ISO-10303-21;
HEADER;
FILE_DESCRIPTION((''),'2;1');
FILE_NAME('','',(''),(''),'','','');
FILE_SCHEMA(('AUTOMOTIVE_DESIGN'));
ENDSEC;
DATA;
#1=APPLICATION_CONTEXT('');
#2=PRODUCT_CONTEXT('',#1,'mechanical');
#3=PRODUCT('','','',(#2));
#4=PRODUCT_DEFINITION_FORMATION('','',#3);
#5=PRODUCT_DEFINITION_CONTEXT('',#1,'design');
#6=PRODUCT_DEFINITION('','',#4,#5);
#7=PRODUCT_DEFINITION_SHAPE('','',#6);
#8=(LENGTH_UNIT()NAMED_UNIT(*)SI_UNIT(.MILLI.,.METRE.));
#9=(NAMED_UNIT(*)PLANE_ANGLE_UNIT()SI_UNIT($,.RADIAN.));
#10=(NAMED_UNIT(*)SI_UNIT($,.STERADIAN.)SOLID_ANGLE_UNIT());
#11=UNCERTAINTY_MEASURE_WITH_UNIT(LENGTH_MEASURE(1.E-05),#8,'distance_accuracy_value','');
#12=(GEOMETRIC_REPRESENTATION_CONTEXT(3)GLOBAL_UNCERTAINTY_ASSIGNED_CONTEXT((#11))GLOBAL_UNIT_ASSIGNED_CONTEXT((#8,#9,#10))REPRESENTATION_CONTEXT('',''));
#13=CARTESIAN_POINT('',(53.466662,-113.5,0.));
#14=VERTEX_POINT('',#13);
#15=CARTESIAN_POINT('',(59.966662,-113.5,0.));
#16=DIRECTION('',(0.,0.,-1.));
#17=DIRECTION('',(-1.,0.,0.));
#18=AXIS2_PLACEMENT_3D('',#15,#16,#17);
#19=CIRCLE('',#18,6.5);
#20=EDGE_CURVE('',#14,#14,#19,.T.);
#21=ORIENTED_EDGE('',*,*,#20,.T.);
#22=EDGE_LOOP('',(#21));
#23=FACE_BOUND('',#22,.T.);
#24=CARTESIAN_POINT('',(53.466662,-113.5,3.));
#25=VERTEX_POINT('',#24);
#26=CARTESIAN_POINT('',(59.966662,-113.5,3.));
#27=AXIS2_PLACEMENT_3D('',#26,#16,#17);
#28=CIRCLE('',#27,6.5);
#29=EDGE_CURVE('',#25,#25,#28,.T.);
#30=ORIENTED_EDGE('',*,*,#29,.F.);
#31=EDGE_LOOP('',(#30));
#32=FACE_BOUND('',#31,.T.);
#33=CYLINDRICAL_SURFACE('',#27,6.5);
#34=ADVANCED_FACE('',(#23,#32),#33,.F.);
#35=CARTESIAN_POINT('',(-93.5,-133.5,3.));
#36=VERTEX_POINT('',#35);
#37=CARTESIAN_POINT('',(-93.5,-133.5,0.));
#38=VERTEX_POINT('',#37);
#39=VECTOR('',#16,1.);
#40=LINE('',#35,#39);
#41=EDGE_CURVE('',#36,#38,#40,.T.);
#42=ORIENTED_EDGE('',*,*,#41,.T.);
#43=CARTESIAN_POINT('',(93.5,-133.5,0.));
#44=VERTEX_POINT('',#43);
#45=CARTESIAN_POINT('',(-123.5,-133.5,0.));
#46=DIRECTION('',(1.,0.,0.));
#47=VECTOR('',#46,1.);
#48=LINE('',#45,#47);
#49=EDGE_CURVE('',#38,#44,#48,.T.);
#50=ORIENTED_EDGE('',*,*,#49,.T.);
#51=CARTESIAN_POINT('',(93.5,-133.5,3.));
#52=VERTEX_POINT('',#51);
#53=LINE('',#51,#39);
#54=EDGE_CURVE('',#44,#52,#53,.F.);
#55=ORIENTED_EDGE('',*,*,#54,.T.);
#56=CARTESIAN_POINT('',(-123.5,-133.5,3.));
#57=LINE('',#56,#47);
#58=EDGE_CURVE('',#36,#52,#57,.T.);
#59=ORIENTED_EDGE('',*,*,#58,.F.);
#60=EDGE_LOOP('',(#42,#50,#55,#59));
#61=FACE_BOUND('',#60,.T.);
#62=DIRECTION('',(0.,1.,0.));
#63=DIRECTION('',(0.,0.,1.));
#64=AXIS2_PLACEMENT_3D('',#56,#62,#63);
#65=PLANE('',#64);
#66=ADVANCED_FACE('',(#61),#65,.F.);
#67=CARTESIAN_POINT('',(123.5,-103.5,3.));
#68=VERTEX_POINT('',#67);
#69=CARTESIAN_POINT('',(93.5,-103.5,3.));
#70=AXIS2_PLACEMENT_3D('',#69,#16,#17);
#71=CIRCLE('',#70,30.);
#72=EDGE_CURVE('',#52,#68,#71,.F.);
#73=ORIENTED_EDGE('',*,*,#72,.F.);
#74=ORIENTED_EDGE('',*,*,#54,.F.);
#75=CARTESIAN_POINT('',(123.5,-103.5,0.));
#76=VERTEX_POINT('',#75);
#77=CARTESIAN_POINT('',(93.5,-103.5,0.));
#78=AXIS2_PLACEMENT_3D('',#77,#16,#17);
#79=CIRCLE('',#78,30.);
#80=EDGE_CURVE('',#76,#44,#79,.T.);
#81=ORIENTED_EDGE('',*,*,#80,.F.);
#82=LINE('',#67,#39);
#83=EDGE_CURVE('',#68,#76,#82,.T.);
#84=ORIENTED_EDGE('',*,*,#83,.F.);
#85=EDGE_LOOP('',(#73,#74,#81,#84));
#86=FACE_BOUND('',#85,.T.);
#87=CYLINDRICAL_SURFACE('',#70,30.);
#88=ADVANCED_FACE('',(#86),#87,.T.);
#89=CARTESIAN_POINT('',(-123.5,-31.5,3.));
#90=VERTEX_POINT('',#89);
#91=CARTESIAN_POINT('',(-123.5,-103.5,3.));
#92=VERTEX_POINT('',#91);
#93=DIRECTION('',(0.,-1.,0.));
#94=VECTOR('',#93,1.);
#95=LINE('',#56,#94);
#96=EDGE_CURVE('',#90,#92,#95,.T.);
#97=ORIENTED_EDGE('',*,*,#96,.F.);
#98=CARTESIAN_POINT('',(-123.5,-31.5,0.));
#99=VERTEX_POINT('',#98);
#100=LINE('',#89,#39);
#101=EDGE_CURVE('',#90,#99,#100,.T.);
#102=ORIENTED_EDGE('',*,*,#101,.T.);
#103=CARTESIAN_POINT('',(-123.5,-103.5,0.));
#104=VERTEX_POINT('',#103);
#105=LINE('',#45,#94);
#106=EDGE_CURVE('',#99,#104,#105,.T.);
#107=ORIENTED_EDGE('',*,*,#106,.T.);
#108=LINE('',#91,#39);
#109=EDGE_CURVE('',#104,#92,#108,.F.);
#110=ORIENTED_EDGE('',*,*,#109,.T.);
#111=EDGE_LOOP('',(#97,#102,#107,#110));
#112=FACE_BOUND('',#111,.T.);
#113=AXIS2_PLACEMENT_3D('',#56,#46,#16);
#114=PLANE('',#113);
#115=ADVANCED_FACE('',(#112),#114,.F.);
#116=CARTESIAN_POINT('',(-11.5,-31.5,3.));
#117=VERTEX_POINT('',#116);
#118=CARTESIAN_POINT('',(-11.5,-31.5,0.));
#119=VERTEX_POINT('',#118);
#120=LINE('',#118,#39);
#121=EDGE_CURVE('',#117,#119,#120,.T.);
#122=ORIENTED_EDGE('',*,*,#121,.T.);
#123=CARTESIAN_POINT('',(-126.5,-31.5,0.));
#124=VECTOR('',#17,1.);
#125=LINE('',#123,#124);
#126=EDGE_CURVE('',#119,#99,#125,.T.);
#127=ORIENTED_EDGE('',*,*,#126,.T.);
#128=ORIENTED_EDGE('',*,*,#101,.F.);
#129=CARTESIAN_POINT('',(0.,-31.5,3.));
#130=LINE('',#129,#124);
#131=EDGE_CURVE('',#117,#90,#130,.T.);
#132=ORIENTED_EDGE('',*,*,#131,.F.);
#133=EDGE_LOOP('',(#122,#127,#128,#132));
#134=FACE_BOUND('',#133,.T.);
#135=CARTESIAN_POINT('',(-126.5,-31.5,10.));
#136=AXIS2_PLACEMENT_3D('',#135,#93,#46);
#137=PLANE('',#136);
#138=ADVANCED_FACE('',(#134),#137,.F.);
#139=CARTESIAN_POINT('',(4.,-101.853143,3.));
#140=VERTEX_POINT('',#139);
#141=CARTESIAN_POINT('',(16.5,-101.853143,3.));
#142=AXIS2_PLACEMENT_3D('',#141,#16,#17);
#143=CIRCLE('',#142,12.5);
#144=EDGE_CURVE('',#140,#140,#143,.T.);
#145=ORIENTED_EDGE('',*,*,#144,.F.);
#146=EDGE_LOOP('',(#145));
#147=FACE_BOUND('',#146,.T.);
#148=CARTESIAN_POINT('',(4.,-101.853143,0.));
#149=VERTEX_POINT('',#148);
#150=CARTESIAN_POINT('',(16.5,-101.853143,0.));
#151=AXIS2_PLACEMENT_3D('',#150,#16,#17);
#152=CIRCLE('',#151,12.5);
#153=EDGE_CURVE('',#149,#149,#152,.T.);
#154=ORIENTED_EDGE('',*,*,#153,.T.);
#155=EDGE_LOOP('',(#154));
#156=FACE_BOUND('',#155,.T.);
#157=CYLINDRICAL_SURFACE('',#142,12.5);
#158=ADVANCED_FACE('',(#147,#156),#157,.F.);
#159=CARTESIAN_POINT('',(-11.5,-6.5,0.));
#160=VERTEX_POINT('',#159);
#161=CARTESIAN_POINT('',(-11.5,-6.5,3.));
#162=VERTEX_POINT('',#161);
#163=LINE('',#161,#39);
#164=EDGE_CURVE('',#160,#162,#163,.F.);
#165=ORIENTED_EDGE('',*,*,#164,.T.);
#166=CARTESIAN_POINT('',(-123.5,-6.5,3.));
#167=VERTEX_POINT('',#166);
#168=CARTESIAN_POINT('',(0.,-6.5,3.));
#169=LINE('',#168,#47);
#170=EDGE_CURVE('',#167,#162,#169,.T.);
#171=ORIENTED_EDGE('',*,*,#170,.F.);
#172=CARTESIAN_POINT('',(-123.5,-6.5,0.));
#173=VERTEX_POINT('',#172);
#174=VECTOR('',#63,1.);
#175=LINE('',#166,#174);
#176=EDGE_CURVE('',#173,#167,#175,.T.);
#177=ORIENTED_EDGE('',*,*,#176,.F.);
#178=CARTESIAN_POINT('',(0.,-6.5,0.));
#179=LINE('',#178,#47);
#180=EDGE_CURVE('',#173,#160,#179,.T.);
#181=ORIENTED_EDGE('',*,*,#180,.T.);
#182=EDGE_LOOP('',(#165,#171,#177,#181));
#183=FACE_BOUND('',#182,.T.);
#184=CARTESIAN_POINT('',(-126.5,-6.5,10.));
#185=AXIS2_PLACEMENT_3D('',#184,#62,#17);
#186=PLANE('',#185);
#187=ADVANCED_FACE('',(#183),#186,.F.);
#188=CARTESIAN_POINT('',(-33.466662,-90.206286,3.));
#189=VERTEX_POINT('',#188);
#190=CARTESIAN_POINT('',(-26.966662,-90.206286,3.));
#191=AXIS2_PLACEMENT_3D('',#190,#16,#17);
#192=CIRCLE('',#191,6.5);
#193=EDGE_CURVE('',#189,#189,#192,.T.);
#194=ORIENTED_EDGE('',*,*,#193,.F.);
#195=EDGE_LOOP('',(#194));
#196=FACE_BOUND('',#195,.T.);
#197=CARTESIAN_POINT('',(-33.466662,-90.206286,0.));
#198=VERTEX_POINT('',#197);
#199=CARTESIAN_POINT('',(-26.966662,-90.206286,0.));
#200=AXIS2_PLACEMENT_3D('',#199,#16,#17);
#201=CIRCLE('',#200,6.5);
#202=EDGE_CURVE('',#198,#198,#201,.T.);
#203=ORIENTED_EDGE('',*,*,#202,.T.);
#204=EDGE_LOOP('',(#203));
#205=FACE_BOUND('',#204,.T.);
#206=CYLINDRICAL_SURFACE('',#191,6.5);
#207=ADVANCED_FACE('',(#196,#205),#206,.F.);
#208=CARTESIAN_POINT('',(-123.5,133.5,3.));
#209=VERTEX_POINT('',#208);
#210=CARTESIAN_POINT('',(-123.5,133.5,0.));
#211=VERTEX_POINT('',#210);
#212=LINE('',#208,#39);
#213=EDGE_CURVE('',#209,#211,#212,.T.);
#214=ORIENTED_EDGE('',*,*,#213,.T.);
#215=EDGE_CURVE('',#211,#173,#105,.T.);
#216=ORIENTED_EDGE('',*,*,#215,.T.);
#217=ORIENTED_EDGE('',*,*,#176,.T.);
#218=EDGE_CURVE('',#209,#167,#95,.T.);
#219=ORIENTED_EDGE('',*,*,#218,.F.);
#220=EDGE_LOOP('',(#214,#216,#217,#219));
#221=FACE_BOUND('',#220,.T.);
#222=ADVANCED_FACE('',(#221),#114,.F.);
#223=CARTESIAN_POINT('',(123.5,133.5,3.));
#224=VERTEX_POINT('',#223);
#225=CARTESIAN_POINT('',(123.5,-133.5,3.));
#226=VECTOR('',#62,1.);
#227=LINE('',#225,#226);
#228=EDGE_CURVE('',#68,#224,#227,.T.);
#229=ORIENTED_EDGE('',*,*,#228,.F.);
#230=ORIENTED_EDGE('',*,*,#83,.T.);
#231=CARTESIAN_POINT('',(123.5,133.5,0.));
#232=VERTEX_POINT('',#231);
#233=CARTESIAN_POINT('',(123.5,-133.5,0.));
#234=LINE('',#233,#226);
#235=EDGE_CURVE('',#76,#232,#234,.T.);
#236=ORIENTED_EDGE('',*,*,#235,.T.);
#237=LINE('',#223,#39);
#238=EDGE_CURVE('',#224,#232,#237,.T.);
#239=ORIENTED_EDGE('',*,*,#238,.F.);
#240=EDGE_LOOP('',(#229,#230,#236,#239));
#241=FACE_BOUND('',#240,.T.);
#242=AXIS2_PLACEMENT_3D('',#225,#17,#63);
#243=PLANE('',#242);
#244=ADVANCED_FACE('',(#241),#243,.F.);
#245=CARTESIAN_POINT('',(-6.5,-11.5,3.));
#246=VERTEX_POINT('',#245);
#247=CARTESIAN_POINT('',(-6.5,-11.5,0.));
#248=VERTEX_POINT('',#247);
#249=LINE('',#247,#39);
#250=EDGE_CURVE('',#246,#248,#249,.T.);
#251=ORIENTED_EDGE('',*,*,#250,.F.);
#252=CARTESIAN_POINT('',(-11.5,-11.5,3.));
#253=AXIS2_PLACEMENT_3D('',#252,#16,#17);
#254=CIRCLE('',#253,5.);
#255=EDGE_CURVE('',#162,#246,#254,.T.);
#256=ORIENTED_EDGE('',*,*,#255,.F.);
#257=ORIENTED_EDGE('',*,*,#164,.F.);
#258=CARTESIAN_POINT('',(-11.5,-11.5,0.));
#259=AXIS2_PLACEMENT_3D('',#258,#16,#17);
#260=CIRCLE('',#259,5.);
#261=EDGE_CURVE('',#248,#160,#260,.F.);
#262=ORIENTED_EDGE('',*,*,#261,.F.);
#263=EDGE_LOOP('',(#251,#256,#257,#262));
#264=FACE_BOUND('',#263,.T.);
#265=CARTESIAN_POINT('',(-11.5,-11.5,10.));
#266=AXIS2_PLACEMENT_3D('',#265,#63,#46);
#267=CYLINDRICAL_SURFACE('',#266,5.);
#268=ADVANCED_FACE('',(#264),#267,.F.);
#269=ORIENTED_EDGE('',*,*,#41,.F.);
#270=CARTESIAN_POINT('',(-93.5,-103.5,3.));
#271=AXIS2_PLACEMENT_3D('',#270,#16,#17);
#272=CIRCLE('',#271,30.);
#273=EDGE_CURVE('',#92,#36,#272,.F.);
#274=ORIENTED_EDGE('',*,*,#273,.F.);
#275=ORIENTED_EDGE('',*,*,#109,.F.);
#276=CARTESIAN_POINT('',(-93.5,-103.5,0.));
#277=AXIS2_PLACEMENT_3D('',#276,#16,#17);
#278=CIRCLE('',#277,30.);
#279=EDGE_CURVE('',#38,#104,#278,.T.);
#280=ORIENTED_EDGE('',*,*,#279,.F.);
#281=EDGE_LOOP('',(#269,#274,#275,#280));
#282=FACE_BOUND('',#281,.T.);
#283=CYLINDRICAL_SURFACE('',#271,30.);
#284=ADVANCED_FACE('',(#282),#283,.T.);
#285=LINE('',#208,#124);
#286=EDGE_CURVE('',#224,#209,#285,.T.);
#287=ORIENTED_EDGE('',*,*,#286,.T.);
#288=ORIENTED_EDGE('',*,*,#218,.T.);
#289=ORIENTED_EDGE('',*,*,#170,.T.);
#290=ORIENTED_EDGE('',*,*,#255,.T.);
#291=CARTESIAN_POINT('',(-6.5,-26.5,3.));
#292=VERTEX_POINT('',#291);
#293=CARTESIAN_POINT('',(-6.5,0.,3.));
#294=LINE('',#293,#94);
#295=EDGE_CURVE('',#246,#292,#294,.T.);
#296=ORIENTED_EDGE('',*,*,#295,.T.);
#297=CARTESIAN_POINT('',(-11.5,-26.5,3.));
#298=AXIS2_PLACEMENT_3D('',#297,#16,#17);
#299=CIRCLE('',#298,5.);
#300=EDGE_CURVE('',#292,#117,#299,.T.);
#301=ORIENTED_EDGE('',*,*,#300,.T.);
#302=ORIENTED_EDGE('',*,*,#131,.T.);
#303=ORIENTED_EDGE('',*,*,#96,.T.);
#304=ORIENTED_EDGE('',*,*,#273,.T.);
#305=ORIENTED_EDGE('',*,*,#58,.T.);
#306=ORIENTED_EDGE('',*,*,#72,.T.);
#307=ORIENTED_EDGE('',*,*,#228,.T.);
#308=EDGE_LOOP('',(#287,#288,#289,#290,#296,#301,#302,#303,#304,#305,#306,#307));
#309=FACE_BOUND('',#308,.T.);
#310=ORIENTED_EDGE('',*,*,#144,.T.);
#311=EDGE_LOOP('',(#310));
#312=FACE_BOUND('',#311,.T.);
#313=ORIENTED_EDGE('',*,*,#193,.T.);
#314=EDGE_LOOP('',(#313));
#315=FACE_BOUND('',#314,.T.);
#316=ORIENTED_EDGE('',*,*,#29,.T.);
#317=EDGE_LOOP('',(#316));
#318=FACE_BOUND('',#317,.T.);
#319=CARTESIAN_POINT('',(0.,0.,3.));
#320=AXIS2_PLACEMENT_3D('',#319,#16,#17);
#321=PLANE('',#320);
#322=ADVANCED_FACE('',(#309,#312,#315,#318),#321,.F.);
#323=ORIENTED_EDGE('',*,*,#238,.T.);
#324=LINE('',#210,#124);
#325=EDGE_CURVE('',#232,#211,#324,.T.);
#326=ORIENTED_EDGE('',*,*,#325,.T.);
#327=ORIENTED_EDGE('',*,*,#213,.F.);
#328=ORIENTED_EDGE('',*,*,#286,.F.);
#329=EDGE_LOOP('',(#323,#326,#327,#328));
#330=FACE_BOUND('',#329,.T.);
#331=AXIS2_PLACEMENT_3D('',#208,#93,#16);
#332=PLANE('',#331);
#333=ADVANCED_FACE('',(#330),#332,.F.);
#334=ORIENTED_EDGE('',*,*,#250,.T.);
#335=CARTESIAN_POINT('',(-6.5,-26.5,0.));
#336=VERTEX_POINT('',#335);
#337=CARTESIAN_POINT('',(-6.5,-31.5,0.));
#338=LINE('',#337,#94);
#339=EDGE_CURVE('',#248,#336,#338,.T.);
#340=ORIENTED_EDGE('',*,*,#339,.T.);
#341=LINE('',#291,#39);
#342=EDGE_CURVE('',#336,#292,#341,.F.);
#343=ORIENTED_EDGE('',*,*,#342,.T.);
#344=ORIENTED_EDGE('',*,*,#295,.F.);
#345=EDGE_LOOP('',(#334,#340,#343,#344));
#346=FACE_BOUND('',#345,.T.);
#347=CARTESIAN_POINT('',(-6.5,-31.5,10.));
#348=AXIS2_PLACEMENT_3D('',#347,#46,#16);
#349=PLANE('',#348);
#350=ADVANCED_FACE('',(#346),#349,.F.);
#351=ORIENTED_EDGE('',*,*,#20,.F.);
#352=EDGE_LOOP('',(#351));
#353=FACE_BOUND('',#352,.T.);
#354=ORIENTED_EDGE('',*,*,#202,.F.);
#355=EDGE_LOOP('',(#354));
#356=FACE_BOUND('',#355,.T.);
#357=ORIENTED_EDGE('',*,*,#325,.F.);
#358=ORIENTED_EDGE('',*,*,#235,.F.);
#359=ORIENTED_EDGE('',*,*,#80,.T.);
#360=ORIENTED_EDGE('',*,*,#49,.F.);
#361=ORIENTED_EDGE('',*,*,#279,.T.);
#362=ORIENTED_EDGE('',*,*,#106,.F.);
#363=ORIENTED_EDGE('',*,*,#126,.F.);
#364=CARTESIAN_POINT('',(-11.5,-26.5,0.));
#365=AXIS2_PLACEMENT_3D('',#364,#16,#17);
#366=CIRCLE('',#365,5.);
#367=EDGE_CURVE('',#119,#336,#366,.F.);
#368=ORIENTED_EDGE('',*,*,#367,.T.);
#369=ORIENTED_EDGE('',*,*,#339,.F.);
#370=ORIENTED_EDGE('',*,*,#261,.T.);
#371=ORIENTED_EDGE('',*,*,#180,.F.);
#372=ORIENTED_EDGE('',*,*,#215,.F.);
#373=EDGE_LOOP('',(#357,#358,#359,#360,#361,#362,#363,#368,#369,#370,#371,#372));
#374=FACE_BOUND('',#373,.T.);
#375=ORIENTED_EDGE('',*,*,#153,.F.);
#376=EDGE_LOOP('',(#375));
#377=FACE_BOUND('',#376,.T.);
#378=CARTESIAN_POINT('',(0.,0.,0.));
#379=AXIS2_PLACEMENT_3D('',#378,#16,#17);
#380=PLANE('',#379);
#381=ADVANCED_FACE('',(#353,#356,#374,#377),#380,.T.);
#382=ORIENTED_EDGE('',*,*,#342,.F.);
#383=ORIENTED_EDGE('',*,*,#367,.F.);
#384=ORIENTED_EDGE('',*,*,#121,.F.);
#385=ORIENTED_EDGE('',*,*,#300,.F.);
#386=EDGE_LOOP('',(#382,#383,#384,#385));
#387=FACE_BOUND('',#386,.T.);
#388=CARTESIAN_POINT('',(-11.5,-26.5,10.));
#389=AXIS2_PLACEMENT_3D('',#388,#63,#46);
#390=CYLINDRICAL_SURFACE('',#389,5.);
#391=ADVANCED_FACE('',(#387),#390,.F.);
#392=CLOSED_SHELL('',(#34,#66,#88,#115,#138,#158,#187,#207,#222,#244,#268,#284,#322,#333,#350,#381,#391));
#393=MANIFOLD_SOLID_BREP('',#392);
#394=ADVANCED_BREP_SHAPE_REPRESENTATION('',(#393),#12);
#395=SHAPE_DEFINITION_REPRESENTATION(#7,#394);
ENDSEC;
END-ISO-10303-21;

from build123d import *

# Parameters (mm, degrees)
ESQUISSE1_W             = 247
ESQUISSE1_H             = 267
BOSS_EXTRU_1_DEPTH      = 3
ESQUISSE3_R             = 6.5
ESQUISSE3_R_2           = 12.5
ENL_V_MAT_EXTRU_2_DEPTH = 3
ESQUISSE4_W             = 120
ESQUISSE4_H             = 25
ENL_V_MAT_EXTRU_3_DEPTH = 10
CONG_1_R                = 30
CONG_2_R                = 5


with BuildPart() as part:
    # Esquisse1 → Boss.-Extru.1 (new body)
    with BuildSketch(Plane.XY):
        Rectangle(ESQUISSE1_W, ESQUISSE1_H)
    extrude(amount=BOSS_EXTRU_1_DEPTH)

    # Esquisse3 → Enlèv. mat.-Extru.2 (cut)
    with BuildSketch(Plane(origin=(0, 0, 0), x_dir=(-1, 0, 0), z_dir=(0, 0, -1))):
        with Locations((-59.966662183, -113.5)):
            Circle(ESQUISSE3_R)
        with Locations((-16.5, -101.85314297)):
            Circle(ESQUISSE3_R_2)
        with Locations((26.966662183, -90.206285941)):
            Circle(ESQUISSE3_R)
    extrude(amount=-ENL_V_MAT_EXTRU_2_DEPTH, mode=Mode.SUBTRACT)

    # Esquisse4 → Enlèv. mat.-Extru.3 (cut)
    with BuildSketch(Plane(origin=(0, 0, 0), x_dir=(-1, 0, 0), z_dir=(0, 0, -1))):
        with Locations((66.5, -19)):
            Rectangle(ESQUISSE4_W, ESQUISSE4_H)
    extrude(amount=-ENL_V_MAT_EXTRU_3_DEPTH, mode=Mode.SUBTRACT)

    # Congé1
    cong_1_edges = [part.edges().sort_by_distance(p)[0] for p in [
        (123.5, -133.5, 1.5),
        (-123.5, -133.5, 1.5),
    ]]
    fillet(cong_1_edges, radius=CONG_1_R)

    # Congé2
    cong_2_edges = [part.edges().sort_by_distance(p)[0] for p in [
        (-6.5, -31.5, 1.5),
        (-6.5, -6.5, 1.5),
    ]]
    fillet(cong_2_edges, radius=CONG_2_R)


solid = part.part
